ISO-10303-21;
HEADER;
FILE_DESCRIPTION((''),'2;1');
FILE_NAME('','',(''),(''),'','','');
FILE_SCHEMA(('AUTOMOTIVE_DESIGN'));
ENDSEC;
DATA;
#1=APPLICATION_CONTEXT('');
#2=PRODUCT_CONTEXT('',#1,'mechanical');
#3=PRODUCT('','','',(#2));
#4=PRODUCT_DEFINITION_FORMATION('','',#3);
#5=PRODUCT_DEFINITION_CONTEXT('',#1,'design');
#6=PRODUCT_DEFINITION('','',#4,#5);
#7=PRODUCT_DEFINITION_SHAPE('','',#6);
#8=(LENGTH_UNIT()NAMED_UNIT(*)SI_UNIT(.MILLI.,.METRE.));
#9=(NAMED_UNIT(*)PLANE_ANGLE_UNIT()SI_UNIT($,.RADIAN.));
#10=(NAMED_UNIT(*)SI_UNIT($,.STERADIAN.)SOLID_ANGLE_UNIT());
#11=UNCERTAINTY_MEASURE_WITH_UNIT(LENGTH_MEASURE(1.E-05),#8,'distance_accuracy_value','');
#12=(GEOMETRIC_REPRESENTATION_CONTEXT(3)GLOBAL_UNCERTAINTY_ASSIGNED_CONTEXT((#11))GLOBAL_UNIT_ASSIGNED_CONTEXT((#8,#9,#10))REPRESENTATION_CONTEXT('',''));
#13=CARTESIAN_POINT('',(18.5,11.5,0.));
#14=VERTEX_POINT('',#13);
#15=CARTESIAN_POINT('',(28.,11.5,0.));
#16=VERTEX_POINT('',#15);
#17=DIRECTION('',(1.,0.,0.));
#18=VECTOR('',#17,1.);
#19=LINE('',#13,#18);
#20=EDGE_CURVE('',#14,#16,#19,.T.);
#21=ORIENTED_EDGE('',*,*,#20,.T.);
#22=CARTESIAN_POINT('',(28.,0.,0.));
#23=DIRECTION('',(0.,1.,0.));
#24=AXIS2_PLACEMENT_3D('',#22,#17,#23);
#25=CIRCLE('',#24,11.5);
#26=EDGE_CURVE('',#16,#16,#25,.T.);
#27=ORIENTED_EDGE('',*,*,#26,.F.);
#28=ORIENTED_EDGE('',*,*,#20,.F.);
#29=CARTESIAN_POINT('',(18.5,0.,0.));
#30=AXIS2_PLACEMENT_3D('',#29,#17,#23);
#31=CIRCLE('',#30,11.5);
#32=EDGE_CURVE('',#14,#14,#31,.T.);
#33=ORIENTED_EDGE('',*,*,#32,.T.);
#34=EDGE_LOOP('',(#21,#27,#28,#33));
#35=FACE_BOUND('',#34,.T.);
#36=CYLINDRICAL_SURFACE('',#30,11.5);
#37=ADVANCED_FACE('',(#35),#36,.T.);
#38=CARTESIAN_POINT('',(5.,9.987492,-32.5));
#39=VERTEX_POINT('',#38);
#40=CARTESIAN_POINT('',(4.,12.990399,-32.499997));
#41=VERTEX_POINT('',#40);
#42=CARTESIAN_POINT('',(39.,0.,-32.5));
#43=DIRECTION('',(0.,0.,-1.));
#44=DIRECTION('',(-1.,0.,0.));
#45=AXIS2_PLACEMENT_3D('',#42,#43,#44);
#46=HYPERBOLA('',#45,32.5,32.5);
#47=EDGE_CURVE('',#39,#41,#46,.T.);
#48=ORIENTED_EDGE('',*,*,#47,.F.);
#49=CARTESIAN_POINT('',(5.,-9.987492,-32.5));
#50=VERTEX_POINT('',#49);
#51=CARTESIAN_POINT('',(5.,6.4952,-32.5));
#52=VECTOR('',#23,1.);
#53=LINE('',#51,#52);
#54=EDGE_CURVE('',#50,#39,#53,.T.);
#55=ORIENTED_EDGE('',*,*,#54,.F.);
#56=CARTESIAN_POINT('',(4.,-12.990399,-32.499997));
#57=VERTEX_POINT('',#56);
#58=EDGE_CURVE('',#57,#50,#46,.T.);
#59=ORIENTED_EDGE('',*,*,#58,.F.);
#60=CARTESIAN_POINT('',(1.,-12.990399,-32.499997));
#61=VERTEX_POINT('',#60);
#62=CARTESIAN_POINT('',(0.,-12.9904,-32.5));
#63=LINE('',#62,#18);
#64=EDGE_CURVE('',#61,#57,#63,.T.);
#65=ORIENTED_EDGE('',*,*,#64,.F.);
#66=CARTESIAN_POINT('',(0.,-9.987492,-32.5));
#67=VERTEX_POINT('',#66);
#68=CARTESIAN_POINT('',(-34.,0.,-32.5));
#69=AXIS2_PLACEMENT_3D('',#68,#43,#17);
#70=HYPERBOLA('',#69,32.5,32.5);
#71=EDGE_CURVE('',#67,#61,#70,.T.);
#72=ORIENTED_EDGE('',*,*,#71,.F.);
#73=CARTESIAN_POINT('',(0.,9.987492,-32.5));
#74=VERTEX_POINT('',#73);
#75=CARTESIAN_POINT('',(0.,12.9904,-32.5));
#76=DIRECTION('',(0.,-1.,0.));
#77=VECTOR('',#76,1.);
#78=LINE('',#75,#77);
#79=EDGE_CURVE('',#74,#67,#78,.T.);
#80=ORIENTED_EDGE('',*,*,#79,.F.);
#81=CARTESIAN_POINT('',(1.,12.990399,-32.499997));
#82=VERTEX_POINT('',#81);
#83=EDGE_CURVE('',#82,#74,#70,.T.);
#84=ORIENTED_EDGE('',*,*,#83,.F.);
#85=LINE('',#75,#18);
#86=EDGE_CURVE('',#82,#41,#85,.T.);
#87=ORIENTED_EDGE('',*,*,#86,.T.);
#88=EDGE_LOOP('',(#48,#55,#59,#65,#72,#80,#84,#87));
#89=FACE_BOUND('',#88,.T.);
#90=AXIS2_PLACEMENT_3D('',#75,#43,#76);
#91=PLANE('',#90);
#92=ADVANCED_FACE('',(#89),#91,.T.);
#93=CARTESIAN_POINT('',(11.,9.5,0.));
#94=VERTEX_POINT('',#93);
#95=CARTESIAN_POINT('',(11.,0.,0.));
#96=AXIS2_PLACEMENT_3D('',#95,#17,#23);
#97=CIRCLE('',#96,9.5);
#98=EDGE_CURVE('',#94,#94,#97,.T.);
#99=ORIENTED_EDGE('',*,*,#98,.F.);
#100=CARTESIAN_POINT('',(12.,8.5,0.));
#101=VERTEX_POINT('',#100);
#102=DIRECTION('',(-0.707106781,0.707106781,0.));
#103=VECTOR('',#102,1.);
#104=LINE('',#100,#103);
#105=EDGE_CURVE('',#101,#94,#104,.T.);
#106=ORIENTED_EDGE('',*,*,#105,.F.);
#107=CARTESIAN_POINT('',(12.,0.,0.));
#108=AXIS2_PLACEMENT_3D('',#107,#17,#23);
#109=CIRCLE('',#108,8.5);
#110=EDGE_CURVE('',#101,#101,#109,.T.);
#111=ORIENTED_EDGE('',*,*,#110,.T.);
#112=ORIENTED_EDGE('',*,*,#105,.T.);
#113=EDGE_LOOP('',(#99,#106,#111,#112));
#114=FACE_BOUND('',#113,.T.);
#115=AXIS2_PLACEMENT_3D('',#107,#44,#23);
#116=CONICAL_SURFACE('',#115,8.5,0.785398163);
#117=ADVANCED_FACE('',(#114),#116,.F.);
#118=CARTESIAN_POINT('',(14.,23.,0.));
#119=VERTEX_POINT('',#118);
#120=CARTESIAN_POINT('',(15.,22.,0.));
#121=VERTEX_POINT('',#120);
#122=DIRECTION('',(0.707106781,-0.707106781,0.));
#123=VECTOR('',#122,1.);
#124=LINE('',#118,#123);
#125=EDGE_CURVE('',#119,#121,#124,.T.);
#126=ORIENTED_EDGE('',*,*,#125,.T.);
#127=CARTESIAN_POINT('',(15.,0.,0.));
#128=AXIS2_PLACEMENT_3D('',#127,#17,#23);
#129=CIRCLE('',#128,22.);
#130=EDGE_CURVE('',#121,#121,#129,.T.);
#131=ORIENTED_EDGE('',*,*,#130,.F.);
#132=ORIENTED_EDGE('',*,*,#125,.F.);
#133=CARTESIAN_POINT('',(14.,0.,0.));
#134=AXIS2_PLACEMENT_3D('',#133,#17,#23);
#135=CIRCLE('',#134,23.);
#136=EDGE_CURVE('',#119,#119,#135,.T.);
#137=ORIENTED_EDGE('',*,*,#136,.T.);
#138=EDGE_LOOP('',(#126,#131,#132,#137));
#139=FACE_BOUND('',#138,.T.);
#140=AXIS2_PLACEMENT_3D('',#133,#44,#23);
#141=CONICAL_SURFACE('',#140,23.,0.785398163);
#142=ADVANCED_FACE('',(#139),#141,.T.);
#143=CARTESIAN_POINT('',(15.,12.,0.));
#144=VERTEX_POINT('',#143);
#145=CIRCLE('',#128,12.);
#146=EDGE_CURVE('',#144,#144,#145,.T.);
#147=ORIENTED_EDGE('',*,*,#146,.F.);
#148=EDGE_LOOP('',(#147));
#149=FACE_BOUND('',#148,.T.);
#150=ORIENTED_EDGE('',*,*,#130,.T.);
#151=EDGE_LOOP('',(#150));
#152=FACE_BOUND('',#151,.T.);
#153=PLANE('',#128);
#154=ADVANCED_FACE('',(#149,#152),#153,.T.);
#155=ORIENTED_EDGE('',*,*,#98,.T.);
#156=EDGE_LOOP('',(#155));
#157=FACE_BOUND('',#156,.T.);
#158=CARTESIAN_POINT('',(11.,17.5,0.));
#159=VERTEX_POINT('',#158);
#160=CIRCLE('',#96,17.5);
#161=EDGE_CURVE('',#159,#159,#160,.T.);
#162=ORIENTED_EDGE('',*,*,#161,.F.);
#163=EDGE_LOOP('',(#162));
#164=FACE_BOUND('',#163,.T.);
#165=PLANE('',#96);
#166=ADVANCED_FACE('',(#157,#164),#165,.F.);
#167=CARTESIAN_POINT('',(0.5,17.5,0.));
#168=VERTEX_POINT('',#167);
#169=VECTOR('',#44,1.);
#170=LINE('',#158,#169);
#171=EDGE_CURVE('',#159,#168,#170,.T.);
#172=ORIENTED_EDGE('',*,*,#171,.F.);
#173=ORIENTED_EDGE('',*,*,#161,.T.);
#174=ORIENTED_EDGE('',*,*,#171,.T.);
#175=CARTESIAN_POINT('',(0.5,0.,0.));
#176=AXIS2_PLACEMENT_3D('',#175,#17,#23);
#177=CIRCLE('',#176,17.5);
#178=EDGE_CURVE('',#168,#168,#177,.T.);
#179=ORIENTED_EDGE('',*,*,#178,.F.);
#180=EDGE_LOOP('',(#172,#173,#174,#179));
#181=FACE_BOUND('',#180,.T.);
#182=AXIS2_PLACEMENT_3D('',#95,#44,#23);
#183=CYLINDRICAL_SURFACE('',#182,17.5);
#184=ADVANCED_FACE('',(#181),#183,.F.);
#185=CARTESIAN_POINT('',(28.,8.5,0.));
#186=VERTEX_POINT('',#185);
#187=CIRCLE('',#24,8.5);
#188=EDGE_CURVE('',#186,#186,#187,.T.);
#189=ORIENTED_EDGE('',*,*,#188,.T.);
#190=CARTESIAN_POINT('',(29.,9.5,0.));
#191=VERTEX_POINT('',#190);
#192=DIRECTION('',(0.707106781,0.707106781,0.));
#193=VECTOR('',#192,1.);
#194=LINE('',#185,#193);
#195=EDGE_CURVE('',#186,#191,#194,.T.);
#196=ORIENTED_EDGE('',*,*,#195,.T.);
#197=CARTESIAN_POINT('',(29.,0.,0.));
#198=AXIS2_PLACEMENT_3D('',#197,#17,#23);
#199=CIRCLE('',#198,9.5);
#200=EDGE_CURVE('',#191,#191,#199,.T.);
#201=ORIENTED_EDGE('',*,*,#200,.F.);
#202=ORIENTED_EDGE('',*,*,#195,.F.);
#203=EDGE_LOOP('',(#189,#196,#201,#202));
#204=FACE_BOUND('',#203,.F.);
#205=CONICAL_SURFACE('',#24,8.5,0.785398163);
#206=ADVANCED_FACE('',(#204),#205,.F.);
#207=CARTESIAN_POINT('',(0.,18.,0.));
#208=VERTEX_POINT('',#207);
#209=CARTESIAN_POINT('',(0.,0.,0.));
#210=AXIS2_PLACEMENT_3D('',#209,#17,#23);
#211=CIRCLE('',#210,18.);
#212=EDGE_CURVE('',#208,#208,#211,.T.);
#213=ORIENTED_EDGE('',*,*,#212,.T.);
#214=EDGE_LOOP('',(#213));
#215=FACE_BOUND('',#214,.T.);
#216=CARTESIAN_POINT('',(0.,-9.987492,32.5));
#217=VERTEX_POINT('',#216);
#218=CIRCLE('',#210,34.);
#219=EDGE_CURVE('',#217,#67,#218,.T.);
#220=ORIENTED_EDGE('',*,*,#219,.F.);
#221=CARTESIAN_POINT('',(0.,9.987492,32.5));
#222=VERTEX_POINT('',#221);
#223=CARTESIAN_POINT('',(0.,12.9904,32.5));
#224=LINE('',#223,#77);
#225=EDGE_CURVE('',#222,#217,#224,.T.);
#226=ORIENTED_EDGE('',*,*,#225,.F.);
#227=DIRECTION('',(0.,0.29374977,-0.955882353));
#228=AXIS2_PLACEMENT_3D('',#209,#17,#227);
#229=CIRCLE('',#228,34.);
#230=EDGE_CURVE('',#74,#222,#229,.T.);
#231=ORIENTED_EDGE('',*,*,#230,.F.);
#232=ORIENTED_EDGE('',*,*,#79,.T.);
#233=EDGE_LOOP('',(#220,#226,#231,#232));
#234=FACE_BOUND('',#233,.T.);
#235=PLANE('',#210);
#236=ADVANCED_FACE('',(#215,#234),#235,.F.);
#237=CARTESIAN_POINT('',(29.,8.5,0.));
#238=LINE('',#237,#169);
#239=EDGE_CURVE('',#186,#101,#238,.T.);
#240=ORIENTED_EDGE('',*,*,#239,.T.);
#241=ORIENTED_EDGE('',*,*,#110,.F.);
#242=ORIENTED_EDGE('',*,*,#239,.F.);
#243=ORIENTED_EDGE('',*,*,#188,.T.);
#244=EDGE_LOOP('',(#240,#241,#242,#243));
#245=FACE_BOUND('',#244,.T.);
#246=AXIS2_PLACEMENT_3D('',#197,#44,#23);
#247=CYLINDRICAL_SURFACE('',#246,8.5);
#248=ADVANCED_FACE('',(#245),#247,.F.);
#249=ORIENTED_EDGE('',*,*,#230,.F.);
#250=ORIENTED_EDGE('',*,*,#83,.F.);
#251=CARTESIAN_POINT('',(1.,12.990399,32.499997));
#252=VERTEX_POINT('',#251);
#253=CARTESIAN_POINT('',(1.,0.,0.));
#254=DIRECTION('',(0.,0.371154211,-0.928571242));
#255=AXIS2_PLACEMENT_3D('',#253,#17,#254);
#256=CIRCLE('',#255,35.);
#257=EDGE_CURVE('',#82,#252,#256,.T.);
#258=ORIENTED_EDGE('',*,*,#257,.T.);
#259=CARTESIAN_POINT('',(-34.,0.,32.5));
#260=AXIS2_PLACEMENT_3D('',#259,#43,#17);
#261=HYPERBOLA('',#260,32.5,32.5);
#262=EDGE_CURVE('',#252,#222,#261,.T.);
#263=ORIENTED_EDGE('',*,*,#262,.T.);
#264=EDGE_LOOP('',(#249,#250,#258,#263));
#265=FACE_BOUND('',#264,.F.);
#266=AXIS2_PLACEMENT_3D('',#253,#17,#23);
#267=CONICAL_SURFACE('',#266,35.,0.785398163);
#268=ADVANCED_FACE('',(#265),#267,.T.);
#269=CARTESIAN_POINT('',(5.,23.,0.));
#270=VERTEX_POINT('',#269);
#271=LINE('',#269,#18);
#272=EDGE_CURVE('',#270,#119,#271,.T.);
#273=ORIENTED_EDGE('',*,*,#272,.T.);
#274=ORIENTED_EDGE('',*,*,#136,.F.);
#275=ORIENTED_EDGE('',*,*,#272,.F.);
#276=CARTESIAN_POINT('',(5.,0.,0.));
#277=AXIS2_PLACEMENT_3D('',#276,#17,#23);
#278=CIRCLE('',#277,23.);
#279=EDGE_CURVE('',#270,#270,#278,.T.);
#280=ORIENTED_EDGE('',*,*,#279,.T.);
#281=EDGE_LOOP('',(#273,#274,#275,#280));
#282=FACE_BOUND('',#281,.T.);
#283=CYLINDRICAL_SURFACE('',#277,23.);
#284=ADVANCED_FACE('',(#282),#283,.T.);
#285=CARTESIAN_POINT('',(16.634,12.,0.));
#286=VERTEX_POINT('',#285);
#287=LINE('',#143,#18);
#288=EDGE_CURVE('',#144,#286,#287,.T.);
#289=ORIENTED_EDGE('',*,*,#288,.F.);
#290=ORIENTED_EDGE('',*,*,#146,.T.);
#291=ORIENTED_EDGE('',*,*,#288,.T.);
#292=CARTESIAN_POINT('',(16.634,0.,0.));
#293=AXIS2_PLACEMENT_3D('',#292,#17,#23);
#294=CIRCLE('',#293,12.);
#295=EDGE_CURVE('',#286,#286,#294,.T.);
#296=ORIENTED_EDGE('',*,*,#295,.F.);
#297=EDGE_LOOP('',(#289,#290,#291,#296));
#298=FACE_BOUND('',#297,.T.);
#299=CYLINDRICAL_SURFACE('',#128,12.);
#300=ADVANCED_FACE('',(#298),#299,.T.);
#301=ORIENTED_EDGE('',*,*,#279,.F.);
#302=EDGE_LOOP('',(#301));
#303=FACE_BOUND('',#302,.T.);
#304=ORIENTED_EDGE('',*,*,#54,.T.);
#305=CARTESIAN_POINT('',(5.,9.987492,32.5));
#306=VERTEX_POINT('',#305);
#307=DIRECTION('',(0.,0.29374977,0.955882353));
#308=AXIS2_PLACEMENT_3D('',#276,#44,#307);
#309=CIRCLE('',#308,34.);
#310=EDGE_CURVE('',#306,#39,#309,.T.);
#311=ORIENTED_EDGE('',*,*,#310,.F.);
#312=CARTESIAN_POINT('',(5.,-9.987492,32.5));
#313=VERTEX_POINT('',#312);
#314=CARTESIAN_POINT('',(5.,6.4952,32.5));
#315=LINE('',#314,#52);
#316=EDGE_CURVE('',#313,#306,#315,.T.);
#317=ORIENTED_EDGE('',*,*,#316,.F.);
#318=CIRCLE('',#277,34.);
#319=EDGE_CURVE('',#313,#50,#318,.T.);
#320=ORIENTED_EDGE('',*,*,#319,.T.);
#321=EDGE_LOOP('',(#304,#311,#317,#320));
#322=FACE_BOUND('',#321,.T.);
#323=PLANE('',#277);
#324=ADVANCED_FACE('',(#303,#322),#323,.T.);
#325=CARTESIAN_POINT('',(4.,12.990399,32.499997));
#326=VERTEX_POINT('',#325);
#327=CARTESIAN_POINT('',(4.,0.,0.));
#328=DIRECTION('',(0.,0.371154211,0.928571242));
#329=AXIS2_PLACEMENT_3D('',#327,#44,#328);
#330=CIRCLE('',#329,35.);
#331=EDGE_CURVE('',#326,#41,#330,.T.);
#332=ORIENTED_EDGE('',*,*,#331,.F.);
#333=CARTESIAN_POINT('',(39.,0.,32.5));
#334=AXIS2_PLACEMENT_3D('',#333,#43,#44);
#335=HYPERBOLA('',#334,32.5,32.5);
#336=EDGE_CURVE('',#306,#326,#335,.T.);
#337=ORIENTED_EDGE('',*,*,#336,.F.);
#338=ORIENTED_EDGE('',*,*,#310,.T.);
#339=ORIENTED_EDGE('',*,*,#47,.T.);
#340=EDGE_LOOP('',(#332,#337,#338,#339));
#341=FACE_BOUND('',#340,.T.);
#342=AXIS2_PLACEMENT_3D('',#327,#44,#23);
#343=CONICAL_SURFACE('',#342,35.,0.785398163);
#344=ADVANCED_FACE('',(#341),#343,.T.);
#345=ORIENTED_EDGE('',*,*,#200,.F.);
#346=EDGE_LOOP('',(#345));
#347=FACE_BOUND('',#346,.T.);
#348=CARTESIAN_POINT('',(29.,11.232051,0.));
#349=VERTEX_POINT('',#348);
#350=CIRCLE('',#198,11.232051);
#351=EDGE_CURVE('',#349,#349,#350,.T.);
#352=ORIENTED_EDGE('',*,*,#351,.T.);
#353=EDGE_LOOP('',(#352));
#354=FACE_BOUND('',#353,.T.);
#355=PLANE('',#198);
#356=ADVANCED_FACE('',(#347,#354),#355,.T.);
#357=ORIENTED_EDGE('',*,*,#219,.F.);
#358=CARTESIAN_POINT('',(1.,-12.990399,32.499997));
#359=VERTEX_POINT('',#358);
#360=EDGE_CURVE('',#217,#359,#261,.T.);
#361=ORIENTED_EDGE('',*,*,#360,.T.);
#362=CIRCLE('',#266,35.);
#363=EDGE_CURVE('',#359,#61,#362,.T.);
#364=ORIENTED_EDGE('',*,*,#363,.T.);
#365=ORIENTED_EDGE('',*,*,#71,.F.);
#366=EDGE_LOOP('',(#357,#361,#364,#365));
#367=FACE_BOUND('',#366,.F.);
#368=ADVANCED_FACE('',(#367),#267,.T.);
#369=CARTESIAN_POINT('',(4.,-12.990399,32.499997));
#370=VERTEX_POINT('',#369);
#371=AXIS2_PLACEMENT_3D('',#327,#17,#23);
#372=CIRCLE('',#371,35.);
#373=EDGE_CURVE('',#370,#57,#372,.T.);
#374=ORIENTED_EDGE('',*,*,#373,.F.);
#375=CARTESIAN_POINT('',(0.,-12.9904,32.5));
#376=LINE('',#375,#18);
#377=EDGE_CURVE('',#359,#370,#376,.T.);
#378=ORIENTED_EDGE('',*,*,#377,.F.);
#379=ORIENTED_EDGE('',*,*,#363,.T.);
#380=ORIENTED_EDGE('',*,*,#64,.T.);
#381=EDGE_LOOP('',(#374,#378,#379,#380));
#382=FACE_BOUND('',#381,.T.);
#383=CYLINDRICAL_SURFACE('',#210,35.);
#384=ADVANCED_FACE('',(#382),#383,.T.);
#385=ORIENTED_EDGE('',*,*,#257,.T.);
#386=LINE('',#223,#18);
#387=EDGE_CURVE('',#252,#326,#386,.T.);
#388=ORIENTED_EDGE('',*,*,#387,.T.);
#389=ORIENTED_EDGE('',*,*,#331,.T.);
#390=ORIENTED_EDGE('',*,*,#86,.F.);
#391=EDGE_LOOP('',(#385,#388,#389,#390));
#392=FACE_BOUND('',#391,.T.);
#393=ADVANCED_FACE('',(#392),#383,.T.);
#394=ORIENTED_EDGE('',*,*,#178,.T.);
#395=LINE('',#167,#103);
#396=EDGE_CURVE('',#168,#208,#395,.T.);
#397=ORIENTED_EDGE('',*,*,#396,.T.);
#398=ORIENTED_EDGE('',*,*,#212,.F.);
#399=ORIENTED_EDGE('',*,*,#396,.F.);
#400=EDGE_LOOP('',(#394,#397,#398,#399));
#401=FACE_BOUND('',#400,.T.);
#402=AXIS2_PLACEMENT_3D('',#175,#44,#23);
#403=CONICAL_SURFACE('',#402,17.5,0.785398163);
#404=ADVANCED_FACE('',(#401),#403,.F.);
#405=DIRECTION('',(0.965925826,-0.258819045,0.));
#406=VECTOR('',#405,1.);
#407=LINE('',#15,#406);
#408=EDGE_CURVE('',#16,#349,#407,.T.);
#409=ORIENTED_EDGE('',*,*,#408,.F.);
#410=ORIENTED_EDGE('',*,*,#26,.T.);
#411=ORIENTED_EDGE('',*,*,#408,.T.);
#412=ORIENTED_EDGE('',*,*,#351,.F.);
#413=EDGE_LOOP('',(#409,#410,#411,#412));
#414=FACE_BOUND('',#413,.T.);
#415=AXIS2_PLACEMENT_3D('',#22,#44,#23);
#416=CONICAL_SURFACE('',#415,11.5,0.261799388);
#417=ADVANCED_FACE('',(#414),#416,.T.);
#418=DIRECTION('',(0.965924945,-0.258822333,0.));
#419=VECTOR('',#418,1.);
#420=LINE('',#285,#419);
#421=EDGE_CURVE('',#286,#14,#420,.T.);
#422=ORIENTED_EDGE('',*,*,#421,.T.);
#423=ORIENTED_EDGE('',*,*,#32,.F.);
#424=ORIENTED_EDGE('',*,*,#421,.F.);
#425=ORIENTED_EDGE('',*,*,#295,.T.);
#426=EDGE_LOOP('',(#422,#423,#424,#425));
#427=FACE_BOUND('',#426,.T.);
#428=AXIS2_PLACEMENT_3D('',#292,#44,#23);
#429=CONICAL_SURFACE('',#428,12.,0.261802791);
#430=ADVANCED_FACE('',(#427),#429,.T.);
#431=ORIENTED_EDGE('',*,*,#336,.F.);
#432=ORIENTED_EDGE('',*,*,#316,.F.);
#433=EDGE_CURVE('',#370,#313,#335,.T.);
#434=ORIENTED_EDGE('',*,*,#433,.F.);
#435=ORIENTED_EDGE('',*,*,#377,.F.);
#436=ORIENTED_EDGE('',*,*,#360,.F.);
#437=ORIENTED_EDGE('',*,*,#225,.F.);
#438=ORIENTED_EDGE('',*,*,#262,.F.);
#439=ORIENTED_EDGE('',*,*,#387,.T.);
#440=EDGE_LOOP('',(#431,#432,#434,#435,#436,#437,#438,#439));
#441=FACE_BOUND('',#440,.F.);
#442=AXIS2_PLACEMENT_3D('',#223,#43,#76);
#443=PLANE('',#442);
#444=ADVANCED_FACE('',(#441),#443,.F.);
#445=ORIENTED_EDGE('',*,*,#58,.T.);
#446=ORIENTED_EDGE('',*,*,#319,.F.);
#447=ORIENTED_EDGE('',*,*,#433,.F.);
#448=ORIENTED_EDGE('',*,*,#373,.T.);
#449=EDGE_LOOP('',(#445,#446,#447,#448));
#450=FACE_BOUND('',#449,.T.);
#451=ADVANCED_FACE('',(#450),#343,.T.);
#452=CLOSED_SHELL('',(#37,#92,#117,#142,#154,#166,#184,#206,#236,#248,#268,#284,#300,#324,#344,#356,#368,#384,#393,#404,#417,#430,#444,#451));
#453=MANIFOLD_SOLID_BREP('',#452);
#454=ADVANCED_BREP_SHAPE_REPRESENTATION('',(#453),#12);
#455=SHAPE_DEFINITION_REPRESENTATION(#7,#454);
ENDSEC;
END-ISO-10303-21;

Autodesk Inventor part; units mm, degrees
ref_plane "YZ Plane" through (0, 0, 0) normal (1, 0, 0) x (0, 1, 0)
ref_plane "XZ Plane" through (0, 0, 0) normal (0, 1, 0) x (-1, 0, 0)
ref_plane "XY Plane" through (0, 0, 0) normal (0, 0, 1) x (1, 0, 0)
sketch "Náčrt1" plane through (0, 0, 0) normal (0, 0, 1) x (1, 0, 0)
  line L0 (0, 0) -> (16.9868, 0)
  line L1 (0, 17.5) -> (0, 35)
  line L2 (5, 23) -> (15, 23)
  line L3 (15, 23) -> (15, 12)
  line L4 (15, 12) -> (16.634, 12)
  line L5 (16.634, 12) -> (18.5, 11.5)
  line L6 (18.5, 11.5) -> (29, 11.5)
  line L7 (29, 11.5) -> (29, 8.5)
  line L8 (29, 8.5) -> (11, 8.5)
  line L9 (11, 8.5) -> (11, 17.5)
  line L10 (11, 17.5) -> (0, 17.5)
  line L11 (0, 35) -> (5, 35)
  line L12 (5, 35) -> (5, 23)
  dimension "d0" = 29
  dimension "d2" = 10.5
  dimension "d5" = 14
  dimension "d8" = 46
  dimension "d10" = 24
  dimension "d11" = 23
  dimension "d12" = 17
  dimension "d13" = 35
  dimension "d14" = 11
  dimension "d15" = 15
  dimension "d40" = 12.366
  dimension "d53" = 70
  dimension "d54" = 24
revolve "Rotace1" add sketch "Náčrt1" angle 360 about axis through (0, 0, 0) along (1, 0, 0)
chamfer "Zkosení3" distance 1 angle 45 1 edges at (15, -23, 0)
chamfer "Zkosení5" distance 1 angle 15 1 edges at (29, -11.5, 0) measured on face at (25.5, 11.4627, -0.9254)
chamfer "Zkosení6" distance 0.5 angle 45 1 edges at (0, -17.5, 0)
chamfer "Zkosení8" distance 1 angle 45 1 edges at (29, -8.5, 0)
chamfer "Zkosení9" distance 1 angle 45 1 edges at (11, -8.5, 0)
chamfer "Zkosení11" distance 1 angle 45 1 edges at (5, -35, 0)
chamfer "Zkosení12" distance 1 angle 45 1 edges at (0, -35, 0)
sketch "Náčrt3" plane through (0, 0, 0) normal (-1, 0, 0) x (0, 0, 1)
  line L0 (-39.3312, 12.9904) -> (-32.5, 12.9904)
  line L1 (-32.5, 12.9904) -> (-32.5, -12.9904)
  line L2 (-32.5, -12.9904) -> (-39.3312, -12.9904)
  line L3 (-39.3312, -12.9904) -> (-39.3312, 12.9904)
  line L4 (52.9331, 12.9904) -> (32.5, 12.9904)
  line L5 (32.5, 12.9904) -> (32.5, -12.9904)
  line L6 (32.5, -12.9904) -> (52.9331, -12.9904)
  line L7 (52.9331, -12.9904) -> (52.9331, 12.9904)
  line L8 (0, 0) -> (0, -6.1481) construction
  circle A0 centre (0, 0) radius 35 construction
  dimension "d61" = 65
extrude "Vysunutí2" cut sketch "Náčrt3" against normal through all
equation "\"Rozmer_B\" = 0"
equation "\"Rozmer_C\" = 0"
equation "\"Rozmer_D\" = d0"
properties part number "NA-45-h-Crown-247" material "12 060.4"
